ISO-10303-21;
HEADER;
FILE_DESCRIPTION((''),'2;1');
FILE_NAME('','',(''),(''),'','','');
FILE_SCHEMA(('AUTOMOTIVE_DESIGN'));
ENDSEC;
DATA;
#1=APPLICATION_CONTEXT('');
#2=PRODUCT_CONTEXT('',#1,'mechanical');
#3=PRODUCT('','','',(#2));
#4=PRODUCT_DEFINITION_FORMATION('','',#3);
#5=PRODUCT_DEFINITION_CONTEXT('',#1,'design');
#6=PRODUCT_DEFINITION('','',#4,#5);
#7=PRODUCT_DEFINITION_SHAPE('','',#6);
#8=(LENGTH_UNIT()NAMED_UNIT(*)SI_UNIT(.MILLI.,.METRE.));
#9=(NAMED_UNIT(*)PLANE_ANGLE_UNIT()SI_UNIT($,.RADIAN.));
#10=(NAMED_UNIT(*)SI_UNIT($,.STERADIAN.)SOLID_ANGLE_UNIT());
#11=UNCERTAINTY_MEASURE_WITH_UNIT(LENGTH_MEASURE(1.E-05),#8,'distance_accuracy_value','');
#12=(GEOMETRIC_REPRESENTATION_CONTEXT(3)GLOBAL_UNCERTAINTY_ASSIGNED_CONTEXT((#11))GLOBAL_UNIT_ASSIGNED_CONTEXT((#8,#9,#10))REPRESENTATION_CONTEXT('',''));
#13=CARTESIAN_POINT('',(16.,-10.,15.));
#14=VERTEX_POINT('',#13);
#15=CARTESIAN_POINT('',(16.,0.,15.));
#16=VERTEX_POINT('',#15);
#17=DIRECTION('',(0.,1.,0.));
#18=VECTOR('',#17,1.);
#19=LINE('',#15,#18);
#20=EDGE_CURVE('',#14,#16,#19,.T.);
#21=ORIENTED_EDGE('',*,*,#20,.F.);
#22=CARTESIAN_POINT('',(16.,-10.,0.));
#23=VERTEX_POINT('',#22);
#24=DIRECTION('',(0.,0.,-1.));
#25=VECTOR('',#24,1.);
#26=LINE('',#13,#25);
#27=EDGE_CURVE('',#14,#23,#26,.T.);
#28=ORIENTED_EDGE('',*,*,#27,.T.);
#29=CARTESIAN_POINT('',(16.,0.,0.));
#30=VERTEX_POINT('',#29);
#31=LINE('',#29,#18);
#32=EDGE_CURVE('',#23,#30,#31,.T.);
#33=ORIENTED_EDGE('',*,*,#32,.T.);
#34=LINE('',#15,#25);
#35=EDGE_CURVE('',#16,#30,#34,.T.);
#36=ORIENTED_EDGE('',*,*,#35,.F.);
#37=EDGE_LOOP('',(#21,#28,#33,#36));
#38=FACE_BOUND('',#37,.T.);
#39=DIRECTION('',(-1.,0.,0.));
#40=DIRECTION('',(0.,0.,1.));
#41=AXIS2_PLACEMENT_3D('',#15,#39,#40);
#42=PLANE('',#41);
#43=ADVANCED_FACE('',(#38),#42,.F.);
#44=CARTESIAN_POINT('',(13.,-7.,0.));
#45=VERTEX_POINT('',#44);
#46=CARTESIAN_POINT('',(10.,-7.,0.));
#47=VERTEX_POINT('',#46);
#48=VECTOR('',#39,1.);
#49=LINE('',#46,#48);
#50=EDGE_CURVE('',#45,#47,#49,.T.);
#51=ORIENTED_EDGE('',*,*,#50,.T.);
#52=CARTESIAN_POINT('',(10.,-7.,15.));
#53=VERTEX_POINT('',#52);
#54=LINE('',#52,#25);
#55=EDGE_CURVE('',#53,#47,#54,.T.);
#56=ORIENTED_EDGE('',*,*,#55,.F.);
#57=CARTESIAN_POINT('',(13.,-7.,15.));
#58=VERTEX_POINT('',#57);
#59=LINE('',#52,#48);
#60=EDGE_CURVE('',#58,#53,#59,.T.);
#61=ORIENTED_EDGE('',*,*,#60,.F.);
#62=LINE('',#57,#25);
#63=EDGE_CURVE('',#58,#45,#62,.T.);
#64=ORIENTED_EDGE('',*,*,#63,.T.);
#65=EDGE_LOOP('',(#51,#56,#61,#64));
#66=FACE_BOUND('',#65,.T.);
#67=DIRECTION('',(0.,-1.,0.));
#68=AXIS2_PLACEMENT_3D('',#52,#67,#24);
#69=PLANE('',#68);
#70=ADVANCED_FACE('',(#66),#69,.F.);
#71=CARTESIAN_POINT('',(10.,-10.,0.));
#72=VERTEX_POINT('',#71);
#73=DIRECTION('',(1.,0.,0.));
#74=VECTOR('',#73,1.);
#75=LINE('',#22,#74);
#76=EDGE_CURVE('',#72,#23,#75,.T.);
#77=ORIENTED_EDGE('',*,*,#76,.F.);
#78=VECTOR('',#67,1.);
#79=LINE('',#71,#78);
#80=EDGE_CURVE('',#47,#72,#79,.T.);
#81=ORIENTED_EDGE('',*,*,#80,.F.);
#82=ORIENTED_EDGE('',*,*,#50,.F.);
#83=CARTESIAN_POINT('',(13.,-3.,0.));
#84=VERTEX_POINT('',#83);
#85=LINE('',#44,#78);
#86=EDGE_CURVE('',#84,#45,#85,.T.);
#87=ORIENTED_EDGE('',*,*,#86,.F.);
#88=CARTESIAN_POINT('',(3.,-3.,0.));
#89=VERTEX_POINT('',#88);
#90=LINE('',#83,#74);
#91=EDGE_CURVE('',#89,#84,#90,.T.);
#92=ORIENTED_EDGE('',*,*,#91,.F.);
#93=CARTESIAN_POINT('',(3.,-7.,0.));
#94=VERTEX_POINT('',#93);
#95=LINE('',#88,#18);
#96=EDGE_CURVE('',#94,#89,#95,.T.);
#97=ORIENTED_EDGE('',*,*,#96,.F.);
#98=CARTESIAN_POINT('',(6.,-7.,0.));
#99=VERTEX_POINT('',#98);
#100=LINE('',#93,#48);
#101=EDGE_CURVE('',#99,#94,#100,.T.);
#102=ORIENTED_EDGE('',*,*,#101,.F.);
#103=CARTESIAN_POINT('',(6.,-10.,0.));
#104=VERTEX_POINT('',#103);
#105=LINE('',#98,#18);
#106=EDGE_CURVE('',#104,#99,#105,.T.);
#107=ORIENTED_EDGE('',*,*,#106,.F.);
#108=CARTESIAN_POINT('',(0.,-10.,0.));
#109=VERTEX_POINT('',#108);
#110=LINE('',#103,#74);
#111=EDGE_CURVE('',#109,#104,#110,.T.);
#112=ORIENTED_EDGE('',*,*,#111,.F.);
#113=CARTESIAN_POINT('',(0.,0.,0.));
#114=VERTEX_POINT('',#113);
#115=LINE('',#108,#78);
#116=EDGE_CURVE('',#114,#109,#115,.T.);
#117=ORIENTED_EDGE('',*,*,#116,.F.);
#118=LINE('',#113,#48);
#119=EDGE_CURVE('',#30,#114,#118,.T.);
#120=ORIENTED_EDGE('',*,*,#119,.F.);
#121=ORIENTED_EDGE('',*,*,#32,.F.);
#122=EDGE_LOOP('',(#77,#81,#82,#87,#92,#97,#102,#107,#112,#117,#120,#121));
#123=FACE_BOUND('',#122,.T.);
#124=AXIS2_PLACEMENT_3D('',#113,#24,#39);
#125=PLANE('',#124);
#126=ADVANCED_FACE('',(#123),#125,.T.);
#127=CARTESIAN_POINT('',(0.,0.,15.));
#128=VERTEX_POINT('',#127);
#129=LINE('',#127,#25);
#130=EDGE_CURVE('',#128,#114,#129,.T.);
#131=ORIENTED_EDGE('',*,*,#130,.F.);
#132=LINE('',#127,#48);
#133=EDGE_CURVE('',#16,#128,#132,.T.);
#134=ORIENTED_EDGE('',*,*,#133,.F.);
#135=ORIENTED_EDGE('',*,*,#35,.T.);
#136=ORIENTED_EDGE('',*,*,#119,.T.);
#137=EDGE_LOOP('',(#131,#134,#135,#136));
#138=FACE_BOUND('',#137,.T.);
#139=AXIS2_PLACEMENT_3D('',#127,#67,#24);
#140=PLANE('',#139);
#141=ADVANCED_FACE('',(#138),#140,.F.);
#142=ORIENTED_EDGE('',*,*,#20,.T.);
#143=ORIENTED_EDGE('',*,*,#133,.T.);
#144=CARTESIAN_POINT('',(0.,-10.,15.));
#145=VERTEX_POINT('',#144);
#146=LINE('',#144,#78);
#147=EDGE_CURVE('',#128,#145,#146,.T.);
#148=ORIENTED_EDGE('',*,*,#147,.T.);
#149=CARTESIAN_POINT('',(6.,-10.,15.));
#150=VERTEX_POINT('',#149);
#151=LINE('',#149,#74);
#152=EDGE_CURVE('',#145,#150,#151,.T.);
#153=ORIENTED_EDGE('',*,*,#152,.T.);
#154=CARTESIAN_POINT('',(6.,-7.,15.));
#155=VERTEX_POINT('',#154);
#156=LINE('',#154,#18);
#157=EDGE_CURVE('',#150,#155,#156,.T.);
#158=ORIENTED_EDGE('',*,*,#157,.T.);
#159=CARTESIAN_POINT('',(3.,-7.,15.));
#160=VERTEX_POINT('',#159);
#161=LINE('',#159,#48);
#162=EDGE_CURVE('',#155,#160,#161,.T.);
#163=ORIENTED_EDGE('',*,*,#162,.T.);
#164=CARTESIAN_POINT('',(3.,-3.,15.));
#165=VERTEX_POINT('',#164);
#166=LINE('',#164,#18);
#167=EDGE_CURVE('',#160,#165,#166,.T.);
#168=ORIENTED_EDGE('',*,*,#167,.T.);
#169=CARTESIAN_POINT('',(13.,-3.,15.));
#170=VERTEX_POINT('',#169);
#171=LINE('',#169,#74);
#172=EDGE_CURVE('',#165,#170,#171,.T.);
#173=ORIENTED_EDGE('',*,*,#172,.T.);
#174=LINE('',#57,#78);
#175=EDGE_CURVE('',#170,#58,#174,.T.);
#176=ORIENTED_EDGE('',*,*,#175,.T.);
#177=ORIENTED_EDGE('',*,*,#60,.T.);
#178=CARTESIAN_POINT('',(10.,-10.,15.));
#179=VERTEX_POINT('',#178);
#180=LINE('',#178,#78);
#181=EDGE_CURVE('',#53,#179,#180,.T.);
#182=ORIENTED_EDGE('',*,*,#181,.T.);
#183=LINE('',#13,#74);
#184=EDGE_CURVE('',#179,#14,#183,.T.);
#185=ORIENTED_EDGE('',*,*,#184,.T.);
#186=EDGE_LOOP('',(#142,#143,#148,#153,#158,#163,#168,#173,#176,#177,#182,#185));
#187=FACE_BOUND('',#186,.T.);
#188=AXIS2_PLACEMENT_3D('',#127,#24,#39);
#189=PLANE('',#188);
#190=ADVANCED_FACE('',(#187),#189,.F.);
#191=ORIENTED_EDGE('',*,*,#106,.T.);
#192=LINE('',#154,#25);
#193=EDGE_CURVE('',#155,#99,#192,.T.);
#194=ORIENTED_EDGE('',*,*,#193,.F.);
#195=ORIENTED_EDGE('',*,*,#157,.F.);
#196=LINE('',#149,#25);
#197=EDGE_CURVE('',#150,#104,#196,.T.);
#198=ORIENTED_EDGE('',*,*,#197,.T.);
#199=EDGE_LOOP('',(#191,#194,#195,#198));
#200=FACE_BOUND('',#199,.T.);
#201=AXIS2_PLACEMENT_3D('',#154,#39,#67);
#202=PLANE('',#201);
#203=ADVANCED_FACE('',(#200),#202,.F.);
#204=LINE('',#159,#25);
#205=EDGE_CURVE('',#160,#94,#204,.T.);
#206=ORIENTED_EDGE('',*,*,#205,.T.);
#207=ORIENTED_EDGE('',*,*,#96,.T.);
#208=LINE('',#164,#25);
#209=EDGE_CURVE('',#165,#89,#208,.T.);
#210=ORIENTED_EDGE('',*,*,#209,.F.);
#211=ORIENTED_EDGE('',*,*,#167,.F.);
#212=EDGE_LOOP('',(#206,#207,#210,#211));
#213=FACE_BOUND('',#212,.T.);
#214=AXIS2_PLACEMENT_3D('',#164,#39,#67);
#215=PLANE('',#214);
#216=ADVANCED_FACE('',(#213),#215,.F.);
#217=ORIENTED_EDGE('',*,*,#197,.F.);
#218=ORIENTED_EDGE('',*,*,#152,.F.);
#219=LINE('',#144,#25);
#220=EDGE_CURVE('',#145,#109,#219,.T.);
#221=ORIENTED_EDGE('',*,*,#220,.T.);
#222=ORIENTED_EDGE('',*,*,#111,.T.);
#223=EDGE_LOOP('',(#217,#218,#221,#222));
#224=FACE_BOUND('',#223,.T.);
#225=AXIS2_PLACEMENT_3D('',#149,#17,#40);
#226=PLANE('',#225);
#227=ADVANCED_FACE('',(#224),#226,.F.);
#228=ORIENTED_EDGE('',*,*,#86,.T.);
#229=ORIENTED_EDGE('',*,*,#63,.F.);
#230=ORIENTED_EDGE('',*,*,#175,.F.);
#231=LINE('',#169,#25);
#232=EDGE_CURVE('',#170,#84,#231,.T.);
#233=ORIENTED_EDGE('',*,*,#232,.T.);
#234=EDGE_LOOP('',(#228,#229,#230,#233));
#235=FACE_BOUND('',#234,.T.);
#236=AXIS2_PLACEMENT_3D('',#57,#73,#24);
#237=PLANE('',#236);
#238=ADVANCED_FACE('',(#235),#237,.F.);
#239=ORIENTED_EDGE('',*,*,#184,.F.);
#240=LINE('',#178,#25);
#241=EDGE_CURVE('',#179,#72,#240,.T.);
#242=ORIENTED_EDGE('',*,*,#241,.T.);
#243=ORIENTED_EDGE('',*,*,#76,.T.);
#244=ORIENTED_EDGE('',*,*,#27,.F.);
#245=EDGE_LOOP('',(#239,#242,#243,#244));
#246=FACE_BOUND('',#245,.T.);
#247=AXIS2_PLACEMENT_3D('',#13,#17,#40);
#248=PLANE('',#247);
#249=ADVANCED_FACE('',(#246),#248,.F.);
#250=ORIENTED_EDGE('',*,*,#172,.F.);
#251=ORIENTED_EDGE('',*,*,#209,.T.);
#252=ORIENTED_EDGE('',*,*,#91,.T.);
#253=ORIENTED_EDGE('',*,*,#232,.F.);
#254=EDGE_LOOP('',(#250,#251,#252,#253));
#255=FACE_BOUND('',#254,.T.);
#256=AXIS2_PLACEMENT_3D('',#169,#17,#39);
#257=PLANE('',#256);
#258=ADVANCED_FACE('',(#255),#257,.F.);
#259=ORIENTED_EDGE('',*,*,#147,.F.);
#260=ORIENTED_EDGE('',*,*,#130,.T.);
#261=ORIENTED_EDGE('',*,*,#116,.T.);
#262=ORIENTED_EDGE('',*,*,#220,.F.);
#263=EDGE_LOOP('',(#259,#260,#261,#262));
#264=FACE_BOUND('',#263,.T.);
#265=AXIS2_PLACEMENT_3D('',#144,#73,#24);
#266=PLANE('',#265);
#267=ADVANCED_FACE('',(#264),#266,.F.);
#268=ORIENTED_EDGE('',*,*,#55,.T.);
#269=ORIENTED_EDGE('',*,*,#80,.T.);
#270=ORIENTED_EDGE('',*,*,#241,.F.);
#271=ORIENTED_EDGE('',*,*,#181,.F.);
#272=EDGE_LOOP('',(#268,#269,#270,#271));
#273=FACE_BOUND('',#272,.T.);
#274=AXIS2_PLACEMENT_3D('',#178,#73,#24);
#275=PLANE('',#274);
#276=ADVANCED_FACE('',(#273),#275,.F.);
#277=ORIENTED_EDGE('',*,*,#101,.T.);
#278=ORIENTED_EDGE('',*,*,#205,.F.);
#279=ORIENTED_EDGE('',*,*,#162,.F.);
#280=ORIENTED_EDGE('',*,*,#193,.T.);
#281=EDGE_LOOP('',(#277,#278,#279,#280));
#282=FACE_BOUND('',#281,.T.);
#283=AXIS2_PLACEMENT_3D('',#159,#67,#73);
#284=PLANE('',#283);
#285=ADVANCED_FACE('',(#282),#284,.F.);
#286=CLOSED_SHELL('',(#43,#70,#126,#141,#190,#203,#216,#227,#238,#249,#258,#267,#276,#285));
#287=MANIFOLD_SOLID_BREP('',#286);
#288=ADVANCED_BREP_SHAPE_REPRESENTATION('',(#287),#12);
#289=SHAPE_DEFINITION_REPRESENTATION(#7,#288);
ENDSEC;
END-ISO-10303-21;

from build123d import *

# Parameters (mm, degrees)
EXTRUDE_1_DEPTH = 15


with BuildPart() as part:
    # 草图1 → 凸台-拉伸1 (new body)
    with BuildSketch(Plane.XY):
        Polygon((0, 0), (16, 0), (16, -10), (10, -10), (10, -7), (13, -7), (13, -3), (3, -3), (3, -7), (6, -7), (6, -10), (0, -10), align=None)
    extrude(amount=EXTRUDE_1_DEPTH)


solid = part.part
